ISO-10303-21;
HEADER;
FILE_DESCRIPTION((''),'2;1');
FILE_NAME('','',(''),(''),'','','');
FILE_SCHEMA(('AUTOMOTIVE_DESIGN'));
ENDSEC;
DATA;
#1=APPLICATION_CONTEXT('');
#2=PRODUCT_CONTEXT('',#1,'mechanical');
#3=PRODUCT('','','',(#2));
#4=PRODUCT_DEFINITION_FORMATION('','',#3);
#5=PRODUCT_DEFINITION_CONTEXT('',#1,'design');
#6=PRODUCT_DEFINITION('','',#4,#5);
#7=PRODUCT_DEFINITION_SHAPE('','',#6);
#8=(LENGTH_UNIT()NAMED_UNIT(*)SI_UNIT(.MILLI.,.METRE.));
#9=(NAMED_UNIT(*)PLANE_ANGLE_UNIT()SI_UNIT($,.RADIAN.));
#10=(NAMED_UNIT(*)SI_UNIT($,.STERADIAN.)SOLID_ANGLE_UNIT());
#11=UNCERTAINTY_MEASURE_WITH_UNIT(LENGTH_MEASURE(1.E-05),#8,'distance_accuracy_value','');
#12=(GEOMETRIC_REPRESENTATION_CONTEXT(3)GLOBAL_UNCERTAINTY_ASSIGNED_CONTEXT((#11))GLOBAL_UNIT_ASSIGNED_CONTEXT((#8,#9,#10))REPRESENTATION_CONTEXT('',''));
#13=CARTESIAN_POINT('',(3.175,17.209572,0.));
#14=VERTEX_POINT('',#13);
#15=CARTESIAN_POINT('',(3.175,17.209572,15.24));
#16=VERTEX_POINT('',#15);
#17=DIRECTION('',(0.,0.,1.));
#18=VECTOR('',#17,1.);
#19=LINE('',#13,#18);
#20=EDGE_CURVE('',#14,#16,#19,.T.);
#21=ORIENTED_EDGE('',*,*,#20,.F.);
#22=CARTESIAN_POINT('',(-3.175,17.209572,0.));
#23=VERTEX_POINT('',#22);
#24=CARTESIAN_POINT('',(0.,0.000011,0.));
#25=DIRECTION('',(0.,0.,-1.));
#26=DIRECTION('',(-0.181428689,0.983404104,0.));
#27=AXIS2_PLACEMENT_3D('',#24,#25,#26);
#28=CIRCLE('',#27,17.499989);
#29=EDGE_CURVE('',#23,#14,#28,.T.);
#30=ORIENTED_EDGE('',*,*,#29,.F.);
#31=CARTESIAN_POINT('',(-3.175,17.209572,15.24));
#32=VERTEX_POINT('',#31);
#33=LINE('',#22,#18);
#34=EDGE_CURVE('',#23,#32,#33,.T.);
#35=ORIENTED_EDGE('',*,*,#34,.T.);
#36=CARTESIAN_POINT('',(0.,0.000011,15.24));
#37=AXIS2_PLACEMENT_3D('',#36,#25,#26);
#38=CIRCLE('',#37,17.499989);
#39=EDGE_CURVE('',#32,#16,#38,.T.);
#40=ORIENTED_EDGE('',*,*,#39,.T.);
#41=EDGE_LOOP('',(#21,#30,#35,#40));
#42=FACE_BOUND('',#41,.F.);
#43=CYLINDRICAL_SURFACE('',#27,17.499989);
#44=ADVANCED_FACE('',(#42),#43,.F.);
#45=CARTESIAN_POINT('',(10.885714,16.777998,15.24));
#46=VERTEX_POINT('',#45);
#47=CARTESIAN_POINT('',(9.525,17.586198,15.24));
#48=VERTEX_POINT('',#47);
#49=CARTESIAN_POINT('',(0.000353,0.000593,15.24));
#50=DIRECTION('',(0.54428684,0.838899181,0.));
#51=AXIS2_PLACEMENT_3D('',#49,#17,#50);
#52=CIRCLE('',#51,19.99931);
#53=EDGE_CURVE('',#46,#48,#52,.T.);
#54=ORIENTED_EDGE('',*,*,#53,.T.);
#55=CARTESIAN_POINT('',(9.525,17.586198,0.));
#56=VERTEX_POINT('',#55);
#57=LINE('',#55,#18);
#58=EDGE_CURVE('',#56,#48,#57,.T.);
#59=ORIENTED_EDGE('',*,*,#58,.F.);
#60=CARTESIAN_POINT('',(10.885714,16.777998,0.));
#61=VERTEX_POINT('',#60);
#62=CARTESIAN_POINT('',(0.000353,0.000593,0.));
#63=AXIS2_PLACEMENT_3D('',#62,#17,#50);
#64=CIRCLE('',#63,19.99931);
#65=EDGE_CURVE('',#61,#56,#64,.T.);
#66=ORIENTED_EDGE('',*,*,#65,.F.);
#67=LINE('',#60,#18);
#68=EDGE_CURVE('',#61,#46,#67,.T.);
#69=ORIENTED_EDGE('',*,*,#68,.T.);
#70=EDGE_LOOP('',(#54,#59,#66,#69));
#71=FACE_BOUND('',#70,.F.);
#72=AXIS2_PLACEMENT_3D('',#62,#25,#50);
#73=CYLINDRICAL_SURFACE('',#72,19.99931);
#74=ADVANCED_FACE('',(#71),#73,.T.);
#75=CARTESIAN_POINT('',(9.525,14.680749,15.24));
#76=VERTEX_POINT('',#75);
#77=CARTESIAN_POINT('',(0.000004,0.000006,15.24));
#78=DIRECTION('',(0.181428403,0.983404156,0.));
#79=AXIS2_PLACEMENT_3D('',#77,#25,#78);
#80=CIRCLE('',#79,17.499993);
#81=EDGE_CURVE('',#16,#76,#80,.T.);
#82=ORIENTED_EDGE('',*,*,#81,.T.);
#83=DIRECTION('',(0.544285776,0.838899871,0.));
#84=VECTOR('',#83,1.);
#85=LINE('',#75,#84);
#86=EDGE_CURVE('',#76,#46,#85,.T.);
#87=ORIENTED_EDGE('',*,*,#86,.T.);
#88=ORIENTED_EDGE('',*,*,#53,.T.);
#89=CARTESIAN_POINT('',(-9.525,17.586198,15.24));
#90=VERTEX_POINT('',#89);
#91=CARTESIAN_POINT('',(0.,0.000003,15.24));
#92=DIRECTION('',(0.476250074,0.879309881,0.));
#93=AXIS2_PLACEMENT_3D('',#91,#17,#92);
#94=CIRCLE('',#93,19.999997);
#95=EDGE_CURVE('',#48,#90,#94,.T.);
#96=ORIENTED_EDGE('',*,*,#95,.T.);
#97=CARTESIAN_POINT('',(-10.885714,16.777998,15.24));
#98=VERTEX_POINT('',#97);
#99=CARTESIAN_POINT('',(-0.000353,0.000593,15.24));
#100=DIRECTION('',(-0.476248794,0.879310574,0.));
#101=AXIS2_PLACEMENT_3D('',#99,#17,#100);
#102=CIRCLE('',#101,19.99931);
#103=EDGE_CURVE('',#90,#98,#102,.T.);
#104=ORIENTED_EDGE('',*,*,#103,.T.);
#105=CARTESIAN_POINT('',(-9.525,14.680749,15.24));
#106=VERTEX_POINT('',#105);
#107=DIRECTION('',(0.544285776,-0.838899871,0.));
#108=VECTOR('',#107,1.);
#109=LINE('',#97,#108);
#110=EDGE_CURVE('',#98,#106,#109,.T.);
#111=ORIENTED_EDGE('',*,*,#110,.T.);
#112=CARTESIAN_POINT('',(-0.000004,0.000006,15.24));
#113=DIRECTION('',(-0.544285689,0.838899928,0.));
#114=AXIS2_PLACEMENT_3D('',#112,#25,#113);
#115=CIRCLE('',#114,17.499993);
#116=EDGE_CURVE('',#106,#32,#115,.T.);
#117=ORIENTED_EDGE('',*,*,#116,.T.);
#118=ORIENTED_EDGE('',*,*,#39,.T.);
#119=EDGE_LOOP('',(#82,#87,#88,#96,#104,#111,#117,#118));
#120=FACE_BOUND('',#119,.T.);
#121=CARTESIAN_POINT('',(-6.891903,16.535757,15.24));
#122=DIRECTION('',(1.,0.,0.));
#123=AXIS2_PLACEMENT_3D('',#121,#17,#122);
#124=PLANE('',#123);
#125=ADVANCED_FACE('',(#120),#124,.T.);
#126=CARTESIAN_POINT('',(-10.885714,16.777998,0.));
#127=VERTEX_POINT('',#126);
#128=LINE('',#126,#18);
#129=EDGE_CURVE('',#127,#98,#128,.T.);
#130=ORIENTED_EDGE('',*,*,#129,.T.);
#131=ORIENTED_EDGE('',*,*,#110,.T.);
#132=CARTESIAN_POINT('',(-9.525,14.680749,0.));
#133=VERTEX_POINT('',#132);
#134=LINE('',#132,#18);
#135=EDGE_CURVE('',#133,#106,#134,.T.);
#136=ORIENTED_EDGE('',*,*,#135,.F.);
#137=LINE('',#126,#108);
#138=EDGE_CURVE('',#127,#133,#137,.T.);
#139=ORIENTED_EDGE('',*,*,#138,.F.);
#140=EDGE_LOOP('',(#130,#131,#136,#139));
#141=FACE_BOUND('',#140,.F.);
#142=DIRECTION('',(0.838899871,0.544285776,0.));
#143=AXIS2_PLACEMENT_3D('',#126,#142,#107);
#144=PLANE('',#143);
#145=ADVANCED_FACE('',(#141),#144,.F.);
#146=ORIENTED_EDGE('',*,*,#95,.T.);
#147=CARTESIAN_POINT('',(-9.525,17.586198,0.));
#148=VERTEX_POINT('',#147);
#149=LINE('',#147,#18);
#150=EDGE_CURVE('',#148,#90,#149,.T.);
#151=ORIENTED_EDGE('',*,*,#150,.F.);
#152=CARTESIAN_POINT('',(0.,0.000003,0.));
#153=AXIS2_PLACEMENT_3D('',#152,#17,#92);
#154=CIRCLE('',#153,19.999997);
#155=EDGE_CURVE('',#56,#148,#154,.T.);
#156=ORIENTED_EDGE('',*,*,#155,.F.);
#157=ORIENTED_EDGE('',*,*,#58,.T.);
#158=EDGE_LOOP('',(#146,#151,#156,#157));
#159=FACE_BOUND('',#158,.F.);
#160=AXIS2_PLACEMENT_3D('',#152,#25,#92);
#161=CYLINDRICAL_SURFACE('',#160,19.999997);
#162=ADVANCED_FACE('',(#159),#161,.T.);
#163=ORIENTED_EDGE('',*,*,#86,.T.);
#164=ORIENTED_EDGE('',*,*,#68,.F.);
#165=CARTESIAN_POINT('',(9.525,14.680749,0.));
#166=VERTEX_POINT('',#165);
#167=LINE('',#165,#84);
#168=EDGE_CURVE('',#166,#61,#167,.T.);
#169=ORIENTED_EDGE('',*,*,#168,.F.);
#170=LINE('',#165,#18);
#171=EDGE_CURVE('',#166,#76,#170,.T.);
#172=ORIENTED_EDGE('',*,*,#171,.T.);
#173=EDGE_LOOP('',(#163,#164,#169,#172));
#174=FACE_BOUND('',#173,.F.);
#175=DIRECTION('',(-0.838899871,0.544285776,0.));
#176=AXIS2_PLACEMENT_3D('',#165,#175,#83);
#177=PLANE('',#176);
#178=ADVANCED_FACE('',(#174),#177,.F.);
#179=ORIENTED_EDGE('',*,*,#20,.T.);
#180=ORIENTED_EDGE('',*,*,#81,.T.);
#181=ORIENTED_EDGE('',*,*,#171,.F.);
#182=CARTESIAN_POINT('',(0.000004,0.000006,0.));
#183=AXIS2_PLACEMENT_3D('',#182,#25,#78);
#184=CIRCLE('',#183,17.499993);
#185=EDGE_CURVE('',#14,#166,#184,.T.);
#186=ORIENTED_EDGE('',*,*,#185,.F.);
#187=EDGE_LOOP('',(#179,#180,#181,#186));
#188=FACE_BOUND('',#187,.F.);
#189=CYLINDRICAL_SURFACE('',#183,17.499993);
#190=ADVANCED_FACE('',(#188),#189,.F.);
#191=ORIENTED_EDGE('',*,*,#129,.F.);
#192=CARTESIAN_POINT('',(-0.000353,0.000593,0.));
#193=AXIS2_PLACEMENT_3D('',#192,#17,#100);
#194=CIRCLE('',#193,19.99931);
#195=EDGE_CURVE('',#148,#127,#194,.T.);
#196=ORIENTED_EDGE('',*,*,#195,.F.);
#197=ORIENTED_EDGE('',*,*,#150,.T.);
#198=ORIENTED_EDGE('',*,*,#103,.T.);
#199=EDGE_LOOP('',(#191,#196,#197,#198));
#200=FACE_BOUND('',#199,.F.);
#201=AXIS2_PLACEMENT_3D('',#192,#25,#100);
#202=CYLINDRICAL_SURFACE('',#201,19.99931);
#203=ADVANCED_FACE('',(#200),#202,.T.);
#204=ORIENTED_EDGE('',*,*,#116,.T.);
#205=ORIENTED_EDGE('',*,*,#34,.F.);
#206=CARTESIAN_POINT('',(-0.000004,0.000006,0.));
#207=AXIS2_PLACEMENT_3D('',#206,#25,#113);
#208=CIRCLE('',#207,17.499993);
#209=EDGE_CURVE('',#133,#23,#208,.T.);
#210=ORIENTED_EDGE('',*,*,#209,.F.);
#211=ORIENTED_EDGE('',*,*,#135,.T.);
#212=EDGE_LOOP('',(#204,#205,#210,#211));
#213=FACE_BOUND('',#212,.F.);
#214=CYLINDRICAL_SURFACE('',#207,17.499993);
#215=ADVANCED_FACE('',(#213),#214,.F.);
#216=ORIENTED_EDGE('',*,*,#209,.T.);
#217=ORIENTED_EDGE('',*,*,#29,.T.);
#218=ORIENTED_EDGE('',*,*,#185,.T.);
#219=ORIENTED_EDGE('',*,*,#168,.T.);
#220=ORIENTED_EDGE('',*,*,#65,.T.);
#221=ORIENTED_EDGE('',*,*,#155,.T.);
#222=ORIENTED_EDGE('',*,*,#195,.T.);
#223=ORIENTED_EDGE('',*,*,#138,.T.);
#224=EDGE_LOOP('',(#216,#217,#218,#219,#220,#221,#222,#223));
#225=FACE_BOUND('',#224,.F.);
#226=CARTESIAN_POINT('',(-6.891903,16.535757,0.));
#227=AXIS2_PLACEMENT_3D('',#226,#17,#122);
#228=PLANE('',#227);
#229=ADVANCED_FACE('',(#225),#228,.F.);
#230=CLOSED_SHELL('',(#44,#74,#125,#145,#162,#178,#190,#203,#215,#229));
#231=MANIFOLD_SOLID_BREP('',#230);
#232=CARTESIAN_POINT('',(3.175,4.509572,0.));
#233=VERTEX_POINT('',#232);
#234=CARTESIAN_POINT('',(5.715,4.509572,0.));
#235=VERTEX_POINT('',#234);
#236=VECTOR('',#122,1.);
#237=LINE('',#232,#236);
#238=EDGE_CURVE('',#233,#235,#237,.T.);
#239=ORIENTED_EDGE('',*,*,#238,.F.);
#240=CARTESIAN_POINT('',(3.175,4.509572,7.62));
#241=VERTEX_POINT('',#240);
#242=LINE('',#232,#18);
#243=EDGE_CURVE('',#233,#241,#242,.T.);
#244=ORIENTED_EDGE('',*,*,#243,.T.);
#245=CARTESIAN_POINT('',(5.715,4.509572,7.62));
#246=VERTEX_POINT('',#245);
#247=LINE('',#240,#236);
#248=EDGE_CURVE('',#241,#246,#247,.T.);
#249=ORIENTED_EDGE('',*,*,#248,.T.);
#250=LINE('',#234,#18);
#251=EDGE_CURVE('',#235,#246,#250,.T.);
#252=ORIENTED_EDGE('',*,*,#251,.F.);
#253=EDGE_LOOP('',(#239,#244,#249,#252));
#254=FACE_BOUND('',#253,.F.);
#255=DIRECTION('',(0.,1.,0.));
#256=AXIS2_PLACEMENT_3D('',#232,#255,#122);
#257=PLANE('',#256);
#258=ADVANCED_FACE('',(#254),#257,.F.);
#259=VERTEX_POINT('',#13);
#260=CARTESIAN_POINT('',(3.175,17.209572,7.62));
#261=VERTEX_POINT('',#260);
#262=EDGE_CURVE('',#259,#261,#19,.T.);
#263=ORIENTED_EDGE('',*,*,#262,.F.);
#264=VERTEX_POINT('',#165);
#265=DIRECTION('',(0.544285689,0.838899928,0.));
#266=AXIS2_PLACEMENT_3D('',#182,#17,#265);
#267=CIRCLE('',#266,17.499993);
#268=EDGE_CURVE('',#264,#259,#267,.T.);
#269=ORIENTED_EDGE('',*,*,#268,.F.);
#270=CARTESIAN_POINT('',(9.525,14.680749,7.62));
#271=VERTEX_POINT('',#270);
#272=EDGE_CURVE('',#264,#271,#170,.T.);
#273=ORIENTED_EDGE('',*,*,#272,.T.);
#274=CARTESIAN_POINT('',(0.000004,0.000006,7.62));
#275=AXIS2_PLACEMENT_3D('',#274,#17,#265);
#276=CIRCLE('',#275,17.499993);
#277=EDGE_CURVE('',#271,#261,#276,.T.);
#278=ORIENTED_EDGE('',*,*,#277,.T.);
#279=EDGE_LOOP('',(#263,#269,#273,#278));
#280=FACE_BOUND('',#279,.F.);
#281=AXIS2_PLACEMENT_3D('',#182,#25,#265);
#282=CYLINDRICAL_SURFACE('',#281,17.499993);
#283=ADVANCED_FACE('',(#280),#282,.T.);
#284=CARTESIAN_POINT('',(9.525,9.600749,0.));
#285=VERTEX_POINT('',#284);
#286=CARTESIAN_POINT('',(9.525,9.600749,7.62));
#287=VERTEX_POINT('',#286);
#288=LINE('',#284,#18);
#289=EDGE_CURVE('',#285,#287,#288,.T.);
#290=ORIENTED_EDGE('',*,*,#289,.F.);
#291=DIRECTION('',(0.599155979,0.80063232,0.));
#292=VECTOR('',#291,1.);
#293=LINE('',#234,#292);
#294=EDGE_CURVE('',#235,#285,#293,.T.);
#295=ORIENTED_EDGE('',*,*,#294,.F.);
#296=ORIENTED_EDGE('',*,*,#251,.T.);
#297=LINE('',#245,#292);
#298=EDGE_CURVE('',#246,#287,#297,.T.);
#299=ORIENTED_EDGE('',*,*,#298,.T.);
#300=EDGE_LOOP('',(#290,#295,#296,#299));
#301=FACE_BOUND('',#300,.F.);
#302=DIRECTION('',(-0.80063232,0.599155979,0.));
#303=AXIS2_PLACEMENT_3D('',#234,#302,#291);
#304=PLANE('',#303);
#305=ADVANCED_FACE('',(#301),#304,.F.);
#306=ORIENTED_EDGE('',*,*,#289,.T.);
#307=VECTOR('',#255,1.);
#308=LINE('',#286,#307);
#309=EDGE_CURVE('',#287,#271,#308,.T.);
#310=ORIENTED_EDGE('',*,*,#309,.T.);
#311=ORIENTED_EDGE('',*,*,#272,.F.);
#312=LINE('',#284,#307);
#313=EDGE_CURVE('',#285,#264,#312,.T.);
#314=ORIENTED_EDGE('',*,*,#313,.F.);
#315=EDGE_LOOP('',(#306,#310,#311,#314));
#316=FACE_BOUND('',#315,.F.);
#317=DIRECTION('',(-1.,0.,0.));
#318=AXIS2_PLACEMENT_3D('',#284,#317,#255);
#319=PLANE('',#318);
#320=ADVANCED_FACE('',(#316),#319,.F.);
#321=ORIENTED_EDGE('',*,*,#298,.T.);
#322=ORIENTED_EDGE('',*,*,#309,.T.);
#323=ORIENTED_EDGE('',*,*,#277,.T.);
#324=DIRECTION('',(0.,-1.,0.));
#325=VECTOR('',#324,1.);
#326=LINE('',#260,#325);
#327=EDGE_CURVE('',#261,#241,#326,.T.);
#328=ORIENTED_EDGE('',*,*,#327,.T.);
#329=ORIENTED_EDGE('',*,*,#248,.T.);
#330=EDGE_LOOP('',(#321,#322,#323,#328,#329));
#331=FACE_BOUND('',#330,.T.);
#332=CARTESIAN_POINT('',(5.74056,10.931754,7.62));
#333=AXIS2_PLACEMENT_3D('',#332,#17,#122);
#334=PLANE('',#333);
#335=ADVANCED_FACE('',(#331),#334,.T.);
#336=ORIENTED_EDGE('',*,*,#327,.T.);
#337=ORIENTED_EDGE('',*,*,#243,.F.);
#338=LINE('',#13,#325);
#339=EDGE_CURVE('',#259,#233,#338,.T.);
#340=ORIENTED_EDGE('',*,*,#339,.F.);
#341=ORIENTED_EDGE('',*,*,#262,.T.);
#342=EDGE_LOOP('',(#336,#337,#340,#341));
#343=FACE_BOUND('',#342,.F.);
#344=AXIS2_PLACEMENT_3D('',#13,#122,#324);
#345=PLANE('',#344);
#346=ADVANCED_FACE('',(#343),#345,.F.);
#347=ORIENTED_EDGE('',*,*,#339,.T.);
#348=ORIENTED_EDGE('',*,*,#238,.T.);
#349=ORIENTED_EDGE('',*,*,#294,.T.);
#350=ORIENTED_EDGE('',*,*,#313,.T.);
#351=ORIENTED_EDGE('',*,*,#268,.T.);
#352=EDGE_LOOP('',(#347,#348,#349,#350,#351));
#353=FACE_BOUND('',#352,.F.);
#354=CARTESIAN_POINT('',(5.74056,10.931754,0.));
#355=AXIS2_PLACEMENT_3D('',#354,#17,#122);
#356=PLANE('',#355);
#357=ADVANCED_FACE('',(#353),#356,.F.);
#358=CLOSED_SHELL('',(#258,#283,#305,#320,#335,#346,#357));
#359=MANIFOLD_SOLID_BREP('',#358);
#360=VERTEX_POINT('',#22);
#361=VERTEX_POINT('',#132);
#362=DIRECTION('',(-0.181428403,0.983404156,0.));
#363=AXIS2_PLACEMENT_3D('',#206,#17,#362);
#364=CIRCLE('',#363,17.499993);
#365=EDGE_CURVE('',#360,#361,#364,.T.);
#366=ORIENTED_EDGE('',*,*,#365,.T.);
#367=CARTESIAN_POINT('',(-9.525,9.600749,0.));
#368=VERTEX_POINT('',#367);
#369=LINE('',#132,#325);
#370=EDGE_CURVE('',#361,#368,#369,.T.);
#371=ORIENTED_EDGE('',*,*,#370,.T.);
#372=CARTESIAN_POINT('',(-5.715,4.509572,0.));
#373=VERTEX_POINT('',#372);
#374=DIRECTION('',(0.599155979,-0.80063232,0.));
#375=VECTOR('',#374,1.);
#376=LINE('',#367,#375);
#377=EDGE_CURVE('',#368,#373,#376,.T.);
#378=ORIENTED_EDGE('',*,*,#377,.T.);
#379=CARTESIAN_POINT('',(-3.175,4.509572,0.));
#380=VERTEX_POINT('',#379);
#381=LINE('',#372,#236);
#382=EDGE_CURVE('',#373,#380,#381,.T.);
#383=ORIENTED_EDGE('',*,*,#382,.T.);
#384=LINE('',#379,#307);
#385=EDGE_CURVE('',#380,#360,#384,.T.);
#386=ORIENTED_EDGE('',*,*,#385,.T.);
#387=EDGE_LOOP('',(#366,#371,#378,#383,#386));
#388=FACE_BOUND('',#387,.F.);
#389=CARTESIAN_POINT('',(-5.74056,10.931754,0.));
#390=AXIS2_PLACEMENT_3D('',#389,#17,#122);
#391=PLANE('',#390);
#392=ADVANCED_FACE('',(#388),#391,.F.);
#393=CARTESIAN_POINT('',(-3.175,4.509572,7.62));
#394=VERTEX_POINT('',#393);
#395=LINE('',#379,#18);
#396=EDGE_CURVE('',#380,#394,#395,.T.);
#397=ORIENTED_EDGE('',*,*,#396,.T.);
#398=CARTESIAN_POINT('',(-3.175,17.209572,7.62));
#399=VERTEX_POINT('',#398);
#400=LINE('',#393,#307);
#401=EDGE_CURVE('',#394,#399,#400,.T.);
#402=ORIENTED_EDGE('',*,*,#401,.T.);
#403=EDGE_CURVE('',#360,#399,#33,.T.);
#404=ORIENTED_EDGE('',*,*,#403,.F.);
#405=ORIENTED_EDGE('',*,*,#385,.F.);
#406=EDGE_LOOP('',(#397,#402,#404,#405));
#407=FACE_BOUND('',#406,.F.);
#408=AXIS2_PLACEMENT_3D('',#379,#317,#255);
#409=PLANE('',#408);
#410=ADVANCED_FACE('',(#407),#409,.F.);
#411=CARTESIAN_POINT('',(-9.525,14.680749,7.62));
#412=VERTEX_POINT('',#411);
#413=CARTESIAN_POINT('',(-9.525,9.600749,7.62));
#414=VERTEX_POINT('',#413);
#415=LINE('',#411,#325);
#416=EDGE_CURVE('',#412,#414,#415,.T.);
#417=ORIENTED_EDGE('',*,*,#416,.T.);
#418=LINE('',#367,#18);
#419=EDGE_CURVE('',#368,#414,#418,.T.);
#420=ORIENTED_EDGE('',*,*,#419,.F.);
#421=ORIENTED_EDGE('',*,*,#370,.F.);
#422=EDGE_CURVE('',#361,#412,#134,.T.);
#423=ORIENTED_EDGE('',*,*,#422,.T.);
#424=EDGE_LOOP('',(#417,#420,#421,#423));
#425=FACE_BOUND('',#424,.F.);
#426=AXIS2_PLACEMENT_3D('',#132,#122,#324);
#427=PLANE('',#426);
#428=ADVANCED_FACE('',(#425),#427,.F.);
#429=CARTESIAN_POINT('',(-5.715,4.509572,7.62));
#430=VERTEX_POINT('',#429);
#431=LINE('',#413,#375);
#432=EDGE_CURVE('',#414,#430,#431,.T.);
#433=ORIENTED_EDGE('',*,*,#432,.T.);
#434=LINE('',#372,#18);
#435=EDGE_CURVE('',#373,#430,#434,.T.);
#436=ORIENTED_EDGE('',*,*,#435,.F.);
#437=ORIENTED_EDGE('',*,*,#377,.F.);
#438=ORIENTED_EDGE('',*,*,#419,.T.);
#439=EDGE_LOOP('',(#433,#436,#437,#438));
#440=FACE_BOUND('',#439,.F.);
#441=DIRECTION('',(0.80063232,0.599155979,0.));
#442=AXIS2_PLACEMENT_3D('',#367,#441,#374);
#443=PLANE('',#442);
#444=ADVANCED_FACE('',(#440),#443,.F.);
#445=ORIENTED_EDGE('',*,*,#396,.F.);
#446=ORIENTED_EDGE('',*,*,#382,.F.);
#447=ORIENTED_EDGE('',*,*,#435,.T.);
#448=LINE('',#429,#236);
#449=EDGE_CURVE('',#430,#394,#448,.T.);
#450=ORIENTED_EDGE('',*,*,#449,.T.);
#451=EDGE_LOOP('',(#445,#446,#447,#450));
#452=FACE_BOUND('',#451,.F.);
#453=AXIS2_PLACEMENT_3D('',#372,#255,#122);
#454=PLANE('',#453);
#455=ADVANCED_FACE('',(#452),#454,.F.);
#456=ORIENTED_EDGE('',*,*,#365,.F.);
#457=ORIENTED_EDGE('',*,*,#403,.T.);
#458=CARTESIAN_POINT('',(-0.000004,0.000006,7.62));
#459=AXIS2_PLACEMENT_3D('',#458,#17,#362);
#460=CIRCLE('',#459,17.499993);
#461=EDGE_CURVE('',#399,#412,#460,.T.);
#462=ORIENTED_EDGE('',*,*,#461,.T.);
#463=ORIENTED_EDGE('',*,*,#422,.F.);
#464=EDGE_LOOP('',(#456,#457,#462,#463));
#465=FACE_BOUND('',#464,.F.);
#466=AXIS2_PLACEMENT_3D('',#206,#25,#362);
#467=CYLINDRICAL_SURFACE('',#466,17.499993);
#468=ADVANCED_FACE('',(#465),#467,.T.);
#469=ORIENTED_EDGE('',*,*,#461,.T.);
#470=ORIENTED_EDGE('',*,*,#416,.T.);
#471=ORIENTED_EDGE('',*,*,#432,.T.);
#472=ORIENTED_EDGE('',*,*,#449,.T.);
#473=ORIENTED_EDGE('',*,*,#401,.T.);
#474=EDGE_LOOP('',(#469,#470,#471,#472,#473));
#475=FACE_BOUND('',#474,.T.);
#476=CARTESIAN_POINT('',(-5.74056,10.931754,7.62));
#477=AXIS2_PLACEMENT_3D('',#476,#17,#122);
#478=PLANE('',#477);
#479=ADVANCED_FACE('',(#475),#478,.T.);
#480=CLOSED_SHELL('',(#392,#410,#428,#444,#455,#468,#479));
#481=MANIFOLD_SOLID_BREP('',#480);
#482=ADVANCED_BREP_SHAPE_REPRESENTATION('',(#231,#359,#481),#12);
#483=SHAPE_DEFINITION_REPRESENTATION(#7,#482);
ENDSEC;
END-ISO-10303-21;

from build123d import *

# Parameters (mm, degrees)
F1_DEPTH = 7.62
F2_DEPTH = 15.24


with BuildPart() as f1:
    # F0 (on Top) → F1 (new body)
    with BuildSketch(Plane.XY):
        with BuildLine():
            ThreePointArc((-3.175, 17.209572), (-6.474661, 16.258191), (-9.525, 14.680749))
            Line((-9.525, 14.680749), (-9.525, 9.600749))
            Line((-9.525, 9.600749), (-5.715, 4.509572))
            Line((-5.715, 4.509572), (-3.175, 4.509572))
            Line((-3.175, 4.509572), (-3.175, 17.209572))
        make_face()
        with BuildLine():
            Line((9.525, 9.600749), (9.525, 14.680749))
            ThreePointArc((9.525, 14.680749), (6.474661, 16.258191), (3.175, 17.209572))
            Line((3.175, 17.209572), (3.175, 4.509572))
            Line((3.175, 4.509572), (5.715, 4.509572))
            Line((5.715, 4.509572), (9.525, 9.600749))
        make_face()
    extrude(amount=F1_DEPTH)


with BuildPart() as f2:
    # F0 (on Top) → F2 (new body)
    with BuildSketch(Plane.XY):
        with BuildLine():
            Line((-9.525, 17.209572), (-9.525, 14.680749))
            ThreePointArc((-9.525, 14.680749), (-6.474661, 16.258191), (-3.175, 17.209572))
            Line((-3.175, 17.209572), (-9.525, 17.209572))
        make_face()
        with BuildLine():
            ThreePointArc((-3.175, 17.209572), (0, 17.5), (3.175, 17.209572))
            Line((3.175, 17.209572), (9.525, 17.209572))
            Line((9.525, 17.209572), (9.525, 17.586198))
            ThreePointArc((9.525, 17.586198), (0, 20), (-9.525, 17.586198))
            Line((-9.525, 17.586198), (-9.525, 17.209572))
            Line((-9.525, 17.209572), (-3.175, 17.209572))
        make_face()
        with BuildLine():
            ThreePointArc((3.175, 17.209572), (6.474661, 16.258191), (9.525, 14.680749))
            Line((9.525, 14.680749), (9.525, 17.209572))
            Line((9.525, 17.209572), (3.175, 17.209572))
        make_face()
        with BuildLine():
            Line((-10.885714, 16.777998), (-9.525, 14.680749))
            Line((-9.525, 14.680749), (-9.525, 17.209572))
            Line((-9.525, 17.209572), (-9.525, 17.586198))
            ThreePointArc((-9.525, 17.586198), (-10.213355, 17.195563), (-10.885714, 16.777998))
        make_face()
        with BuildLine():
            Line((9.525, 17.209572), (9.525, 14.680749))
            Line((9.525, 14.680749), (10.885714, 16.777998))
            ThreePointArc((10.885714, 16.777998), (10.213355, 17.195563), (9.525, 17.586198))
            Line((9.525, 17.586198), (9.525, 17.209572))
        make_face()
    extrude(amount=F2_DEPTH)


solid = Compound([f1.part, f2.part])
